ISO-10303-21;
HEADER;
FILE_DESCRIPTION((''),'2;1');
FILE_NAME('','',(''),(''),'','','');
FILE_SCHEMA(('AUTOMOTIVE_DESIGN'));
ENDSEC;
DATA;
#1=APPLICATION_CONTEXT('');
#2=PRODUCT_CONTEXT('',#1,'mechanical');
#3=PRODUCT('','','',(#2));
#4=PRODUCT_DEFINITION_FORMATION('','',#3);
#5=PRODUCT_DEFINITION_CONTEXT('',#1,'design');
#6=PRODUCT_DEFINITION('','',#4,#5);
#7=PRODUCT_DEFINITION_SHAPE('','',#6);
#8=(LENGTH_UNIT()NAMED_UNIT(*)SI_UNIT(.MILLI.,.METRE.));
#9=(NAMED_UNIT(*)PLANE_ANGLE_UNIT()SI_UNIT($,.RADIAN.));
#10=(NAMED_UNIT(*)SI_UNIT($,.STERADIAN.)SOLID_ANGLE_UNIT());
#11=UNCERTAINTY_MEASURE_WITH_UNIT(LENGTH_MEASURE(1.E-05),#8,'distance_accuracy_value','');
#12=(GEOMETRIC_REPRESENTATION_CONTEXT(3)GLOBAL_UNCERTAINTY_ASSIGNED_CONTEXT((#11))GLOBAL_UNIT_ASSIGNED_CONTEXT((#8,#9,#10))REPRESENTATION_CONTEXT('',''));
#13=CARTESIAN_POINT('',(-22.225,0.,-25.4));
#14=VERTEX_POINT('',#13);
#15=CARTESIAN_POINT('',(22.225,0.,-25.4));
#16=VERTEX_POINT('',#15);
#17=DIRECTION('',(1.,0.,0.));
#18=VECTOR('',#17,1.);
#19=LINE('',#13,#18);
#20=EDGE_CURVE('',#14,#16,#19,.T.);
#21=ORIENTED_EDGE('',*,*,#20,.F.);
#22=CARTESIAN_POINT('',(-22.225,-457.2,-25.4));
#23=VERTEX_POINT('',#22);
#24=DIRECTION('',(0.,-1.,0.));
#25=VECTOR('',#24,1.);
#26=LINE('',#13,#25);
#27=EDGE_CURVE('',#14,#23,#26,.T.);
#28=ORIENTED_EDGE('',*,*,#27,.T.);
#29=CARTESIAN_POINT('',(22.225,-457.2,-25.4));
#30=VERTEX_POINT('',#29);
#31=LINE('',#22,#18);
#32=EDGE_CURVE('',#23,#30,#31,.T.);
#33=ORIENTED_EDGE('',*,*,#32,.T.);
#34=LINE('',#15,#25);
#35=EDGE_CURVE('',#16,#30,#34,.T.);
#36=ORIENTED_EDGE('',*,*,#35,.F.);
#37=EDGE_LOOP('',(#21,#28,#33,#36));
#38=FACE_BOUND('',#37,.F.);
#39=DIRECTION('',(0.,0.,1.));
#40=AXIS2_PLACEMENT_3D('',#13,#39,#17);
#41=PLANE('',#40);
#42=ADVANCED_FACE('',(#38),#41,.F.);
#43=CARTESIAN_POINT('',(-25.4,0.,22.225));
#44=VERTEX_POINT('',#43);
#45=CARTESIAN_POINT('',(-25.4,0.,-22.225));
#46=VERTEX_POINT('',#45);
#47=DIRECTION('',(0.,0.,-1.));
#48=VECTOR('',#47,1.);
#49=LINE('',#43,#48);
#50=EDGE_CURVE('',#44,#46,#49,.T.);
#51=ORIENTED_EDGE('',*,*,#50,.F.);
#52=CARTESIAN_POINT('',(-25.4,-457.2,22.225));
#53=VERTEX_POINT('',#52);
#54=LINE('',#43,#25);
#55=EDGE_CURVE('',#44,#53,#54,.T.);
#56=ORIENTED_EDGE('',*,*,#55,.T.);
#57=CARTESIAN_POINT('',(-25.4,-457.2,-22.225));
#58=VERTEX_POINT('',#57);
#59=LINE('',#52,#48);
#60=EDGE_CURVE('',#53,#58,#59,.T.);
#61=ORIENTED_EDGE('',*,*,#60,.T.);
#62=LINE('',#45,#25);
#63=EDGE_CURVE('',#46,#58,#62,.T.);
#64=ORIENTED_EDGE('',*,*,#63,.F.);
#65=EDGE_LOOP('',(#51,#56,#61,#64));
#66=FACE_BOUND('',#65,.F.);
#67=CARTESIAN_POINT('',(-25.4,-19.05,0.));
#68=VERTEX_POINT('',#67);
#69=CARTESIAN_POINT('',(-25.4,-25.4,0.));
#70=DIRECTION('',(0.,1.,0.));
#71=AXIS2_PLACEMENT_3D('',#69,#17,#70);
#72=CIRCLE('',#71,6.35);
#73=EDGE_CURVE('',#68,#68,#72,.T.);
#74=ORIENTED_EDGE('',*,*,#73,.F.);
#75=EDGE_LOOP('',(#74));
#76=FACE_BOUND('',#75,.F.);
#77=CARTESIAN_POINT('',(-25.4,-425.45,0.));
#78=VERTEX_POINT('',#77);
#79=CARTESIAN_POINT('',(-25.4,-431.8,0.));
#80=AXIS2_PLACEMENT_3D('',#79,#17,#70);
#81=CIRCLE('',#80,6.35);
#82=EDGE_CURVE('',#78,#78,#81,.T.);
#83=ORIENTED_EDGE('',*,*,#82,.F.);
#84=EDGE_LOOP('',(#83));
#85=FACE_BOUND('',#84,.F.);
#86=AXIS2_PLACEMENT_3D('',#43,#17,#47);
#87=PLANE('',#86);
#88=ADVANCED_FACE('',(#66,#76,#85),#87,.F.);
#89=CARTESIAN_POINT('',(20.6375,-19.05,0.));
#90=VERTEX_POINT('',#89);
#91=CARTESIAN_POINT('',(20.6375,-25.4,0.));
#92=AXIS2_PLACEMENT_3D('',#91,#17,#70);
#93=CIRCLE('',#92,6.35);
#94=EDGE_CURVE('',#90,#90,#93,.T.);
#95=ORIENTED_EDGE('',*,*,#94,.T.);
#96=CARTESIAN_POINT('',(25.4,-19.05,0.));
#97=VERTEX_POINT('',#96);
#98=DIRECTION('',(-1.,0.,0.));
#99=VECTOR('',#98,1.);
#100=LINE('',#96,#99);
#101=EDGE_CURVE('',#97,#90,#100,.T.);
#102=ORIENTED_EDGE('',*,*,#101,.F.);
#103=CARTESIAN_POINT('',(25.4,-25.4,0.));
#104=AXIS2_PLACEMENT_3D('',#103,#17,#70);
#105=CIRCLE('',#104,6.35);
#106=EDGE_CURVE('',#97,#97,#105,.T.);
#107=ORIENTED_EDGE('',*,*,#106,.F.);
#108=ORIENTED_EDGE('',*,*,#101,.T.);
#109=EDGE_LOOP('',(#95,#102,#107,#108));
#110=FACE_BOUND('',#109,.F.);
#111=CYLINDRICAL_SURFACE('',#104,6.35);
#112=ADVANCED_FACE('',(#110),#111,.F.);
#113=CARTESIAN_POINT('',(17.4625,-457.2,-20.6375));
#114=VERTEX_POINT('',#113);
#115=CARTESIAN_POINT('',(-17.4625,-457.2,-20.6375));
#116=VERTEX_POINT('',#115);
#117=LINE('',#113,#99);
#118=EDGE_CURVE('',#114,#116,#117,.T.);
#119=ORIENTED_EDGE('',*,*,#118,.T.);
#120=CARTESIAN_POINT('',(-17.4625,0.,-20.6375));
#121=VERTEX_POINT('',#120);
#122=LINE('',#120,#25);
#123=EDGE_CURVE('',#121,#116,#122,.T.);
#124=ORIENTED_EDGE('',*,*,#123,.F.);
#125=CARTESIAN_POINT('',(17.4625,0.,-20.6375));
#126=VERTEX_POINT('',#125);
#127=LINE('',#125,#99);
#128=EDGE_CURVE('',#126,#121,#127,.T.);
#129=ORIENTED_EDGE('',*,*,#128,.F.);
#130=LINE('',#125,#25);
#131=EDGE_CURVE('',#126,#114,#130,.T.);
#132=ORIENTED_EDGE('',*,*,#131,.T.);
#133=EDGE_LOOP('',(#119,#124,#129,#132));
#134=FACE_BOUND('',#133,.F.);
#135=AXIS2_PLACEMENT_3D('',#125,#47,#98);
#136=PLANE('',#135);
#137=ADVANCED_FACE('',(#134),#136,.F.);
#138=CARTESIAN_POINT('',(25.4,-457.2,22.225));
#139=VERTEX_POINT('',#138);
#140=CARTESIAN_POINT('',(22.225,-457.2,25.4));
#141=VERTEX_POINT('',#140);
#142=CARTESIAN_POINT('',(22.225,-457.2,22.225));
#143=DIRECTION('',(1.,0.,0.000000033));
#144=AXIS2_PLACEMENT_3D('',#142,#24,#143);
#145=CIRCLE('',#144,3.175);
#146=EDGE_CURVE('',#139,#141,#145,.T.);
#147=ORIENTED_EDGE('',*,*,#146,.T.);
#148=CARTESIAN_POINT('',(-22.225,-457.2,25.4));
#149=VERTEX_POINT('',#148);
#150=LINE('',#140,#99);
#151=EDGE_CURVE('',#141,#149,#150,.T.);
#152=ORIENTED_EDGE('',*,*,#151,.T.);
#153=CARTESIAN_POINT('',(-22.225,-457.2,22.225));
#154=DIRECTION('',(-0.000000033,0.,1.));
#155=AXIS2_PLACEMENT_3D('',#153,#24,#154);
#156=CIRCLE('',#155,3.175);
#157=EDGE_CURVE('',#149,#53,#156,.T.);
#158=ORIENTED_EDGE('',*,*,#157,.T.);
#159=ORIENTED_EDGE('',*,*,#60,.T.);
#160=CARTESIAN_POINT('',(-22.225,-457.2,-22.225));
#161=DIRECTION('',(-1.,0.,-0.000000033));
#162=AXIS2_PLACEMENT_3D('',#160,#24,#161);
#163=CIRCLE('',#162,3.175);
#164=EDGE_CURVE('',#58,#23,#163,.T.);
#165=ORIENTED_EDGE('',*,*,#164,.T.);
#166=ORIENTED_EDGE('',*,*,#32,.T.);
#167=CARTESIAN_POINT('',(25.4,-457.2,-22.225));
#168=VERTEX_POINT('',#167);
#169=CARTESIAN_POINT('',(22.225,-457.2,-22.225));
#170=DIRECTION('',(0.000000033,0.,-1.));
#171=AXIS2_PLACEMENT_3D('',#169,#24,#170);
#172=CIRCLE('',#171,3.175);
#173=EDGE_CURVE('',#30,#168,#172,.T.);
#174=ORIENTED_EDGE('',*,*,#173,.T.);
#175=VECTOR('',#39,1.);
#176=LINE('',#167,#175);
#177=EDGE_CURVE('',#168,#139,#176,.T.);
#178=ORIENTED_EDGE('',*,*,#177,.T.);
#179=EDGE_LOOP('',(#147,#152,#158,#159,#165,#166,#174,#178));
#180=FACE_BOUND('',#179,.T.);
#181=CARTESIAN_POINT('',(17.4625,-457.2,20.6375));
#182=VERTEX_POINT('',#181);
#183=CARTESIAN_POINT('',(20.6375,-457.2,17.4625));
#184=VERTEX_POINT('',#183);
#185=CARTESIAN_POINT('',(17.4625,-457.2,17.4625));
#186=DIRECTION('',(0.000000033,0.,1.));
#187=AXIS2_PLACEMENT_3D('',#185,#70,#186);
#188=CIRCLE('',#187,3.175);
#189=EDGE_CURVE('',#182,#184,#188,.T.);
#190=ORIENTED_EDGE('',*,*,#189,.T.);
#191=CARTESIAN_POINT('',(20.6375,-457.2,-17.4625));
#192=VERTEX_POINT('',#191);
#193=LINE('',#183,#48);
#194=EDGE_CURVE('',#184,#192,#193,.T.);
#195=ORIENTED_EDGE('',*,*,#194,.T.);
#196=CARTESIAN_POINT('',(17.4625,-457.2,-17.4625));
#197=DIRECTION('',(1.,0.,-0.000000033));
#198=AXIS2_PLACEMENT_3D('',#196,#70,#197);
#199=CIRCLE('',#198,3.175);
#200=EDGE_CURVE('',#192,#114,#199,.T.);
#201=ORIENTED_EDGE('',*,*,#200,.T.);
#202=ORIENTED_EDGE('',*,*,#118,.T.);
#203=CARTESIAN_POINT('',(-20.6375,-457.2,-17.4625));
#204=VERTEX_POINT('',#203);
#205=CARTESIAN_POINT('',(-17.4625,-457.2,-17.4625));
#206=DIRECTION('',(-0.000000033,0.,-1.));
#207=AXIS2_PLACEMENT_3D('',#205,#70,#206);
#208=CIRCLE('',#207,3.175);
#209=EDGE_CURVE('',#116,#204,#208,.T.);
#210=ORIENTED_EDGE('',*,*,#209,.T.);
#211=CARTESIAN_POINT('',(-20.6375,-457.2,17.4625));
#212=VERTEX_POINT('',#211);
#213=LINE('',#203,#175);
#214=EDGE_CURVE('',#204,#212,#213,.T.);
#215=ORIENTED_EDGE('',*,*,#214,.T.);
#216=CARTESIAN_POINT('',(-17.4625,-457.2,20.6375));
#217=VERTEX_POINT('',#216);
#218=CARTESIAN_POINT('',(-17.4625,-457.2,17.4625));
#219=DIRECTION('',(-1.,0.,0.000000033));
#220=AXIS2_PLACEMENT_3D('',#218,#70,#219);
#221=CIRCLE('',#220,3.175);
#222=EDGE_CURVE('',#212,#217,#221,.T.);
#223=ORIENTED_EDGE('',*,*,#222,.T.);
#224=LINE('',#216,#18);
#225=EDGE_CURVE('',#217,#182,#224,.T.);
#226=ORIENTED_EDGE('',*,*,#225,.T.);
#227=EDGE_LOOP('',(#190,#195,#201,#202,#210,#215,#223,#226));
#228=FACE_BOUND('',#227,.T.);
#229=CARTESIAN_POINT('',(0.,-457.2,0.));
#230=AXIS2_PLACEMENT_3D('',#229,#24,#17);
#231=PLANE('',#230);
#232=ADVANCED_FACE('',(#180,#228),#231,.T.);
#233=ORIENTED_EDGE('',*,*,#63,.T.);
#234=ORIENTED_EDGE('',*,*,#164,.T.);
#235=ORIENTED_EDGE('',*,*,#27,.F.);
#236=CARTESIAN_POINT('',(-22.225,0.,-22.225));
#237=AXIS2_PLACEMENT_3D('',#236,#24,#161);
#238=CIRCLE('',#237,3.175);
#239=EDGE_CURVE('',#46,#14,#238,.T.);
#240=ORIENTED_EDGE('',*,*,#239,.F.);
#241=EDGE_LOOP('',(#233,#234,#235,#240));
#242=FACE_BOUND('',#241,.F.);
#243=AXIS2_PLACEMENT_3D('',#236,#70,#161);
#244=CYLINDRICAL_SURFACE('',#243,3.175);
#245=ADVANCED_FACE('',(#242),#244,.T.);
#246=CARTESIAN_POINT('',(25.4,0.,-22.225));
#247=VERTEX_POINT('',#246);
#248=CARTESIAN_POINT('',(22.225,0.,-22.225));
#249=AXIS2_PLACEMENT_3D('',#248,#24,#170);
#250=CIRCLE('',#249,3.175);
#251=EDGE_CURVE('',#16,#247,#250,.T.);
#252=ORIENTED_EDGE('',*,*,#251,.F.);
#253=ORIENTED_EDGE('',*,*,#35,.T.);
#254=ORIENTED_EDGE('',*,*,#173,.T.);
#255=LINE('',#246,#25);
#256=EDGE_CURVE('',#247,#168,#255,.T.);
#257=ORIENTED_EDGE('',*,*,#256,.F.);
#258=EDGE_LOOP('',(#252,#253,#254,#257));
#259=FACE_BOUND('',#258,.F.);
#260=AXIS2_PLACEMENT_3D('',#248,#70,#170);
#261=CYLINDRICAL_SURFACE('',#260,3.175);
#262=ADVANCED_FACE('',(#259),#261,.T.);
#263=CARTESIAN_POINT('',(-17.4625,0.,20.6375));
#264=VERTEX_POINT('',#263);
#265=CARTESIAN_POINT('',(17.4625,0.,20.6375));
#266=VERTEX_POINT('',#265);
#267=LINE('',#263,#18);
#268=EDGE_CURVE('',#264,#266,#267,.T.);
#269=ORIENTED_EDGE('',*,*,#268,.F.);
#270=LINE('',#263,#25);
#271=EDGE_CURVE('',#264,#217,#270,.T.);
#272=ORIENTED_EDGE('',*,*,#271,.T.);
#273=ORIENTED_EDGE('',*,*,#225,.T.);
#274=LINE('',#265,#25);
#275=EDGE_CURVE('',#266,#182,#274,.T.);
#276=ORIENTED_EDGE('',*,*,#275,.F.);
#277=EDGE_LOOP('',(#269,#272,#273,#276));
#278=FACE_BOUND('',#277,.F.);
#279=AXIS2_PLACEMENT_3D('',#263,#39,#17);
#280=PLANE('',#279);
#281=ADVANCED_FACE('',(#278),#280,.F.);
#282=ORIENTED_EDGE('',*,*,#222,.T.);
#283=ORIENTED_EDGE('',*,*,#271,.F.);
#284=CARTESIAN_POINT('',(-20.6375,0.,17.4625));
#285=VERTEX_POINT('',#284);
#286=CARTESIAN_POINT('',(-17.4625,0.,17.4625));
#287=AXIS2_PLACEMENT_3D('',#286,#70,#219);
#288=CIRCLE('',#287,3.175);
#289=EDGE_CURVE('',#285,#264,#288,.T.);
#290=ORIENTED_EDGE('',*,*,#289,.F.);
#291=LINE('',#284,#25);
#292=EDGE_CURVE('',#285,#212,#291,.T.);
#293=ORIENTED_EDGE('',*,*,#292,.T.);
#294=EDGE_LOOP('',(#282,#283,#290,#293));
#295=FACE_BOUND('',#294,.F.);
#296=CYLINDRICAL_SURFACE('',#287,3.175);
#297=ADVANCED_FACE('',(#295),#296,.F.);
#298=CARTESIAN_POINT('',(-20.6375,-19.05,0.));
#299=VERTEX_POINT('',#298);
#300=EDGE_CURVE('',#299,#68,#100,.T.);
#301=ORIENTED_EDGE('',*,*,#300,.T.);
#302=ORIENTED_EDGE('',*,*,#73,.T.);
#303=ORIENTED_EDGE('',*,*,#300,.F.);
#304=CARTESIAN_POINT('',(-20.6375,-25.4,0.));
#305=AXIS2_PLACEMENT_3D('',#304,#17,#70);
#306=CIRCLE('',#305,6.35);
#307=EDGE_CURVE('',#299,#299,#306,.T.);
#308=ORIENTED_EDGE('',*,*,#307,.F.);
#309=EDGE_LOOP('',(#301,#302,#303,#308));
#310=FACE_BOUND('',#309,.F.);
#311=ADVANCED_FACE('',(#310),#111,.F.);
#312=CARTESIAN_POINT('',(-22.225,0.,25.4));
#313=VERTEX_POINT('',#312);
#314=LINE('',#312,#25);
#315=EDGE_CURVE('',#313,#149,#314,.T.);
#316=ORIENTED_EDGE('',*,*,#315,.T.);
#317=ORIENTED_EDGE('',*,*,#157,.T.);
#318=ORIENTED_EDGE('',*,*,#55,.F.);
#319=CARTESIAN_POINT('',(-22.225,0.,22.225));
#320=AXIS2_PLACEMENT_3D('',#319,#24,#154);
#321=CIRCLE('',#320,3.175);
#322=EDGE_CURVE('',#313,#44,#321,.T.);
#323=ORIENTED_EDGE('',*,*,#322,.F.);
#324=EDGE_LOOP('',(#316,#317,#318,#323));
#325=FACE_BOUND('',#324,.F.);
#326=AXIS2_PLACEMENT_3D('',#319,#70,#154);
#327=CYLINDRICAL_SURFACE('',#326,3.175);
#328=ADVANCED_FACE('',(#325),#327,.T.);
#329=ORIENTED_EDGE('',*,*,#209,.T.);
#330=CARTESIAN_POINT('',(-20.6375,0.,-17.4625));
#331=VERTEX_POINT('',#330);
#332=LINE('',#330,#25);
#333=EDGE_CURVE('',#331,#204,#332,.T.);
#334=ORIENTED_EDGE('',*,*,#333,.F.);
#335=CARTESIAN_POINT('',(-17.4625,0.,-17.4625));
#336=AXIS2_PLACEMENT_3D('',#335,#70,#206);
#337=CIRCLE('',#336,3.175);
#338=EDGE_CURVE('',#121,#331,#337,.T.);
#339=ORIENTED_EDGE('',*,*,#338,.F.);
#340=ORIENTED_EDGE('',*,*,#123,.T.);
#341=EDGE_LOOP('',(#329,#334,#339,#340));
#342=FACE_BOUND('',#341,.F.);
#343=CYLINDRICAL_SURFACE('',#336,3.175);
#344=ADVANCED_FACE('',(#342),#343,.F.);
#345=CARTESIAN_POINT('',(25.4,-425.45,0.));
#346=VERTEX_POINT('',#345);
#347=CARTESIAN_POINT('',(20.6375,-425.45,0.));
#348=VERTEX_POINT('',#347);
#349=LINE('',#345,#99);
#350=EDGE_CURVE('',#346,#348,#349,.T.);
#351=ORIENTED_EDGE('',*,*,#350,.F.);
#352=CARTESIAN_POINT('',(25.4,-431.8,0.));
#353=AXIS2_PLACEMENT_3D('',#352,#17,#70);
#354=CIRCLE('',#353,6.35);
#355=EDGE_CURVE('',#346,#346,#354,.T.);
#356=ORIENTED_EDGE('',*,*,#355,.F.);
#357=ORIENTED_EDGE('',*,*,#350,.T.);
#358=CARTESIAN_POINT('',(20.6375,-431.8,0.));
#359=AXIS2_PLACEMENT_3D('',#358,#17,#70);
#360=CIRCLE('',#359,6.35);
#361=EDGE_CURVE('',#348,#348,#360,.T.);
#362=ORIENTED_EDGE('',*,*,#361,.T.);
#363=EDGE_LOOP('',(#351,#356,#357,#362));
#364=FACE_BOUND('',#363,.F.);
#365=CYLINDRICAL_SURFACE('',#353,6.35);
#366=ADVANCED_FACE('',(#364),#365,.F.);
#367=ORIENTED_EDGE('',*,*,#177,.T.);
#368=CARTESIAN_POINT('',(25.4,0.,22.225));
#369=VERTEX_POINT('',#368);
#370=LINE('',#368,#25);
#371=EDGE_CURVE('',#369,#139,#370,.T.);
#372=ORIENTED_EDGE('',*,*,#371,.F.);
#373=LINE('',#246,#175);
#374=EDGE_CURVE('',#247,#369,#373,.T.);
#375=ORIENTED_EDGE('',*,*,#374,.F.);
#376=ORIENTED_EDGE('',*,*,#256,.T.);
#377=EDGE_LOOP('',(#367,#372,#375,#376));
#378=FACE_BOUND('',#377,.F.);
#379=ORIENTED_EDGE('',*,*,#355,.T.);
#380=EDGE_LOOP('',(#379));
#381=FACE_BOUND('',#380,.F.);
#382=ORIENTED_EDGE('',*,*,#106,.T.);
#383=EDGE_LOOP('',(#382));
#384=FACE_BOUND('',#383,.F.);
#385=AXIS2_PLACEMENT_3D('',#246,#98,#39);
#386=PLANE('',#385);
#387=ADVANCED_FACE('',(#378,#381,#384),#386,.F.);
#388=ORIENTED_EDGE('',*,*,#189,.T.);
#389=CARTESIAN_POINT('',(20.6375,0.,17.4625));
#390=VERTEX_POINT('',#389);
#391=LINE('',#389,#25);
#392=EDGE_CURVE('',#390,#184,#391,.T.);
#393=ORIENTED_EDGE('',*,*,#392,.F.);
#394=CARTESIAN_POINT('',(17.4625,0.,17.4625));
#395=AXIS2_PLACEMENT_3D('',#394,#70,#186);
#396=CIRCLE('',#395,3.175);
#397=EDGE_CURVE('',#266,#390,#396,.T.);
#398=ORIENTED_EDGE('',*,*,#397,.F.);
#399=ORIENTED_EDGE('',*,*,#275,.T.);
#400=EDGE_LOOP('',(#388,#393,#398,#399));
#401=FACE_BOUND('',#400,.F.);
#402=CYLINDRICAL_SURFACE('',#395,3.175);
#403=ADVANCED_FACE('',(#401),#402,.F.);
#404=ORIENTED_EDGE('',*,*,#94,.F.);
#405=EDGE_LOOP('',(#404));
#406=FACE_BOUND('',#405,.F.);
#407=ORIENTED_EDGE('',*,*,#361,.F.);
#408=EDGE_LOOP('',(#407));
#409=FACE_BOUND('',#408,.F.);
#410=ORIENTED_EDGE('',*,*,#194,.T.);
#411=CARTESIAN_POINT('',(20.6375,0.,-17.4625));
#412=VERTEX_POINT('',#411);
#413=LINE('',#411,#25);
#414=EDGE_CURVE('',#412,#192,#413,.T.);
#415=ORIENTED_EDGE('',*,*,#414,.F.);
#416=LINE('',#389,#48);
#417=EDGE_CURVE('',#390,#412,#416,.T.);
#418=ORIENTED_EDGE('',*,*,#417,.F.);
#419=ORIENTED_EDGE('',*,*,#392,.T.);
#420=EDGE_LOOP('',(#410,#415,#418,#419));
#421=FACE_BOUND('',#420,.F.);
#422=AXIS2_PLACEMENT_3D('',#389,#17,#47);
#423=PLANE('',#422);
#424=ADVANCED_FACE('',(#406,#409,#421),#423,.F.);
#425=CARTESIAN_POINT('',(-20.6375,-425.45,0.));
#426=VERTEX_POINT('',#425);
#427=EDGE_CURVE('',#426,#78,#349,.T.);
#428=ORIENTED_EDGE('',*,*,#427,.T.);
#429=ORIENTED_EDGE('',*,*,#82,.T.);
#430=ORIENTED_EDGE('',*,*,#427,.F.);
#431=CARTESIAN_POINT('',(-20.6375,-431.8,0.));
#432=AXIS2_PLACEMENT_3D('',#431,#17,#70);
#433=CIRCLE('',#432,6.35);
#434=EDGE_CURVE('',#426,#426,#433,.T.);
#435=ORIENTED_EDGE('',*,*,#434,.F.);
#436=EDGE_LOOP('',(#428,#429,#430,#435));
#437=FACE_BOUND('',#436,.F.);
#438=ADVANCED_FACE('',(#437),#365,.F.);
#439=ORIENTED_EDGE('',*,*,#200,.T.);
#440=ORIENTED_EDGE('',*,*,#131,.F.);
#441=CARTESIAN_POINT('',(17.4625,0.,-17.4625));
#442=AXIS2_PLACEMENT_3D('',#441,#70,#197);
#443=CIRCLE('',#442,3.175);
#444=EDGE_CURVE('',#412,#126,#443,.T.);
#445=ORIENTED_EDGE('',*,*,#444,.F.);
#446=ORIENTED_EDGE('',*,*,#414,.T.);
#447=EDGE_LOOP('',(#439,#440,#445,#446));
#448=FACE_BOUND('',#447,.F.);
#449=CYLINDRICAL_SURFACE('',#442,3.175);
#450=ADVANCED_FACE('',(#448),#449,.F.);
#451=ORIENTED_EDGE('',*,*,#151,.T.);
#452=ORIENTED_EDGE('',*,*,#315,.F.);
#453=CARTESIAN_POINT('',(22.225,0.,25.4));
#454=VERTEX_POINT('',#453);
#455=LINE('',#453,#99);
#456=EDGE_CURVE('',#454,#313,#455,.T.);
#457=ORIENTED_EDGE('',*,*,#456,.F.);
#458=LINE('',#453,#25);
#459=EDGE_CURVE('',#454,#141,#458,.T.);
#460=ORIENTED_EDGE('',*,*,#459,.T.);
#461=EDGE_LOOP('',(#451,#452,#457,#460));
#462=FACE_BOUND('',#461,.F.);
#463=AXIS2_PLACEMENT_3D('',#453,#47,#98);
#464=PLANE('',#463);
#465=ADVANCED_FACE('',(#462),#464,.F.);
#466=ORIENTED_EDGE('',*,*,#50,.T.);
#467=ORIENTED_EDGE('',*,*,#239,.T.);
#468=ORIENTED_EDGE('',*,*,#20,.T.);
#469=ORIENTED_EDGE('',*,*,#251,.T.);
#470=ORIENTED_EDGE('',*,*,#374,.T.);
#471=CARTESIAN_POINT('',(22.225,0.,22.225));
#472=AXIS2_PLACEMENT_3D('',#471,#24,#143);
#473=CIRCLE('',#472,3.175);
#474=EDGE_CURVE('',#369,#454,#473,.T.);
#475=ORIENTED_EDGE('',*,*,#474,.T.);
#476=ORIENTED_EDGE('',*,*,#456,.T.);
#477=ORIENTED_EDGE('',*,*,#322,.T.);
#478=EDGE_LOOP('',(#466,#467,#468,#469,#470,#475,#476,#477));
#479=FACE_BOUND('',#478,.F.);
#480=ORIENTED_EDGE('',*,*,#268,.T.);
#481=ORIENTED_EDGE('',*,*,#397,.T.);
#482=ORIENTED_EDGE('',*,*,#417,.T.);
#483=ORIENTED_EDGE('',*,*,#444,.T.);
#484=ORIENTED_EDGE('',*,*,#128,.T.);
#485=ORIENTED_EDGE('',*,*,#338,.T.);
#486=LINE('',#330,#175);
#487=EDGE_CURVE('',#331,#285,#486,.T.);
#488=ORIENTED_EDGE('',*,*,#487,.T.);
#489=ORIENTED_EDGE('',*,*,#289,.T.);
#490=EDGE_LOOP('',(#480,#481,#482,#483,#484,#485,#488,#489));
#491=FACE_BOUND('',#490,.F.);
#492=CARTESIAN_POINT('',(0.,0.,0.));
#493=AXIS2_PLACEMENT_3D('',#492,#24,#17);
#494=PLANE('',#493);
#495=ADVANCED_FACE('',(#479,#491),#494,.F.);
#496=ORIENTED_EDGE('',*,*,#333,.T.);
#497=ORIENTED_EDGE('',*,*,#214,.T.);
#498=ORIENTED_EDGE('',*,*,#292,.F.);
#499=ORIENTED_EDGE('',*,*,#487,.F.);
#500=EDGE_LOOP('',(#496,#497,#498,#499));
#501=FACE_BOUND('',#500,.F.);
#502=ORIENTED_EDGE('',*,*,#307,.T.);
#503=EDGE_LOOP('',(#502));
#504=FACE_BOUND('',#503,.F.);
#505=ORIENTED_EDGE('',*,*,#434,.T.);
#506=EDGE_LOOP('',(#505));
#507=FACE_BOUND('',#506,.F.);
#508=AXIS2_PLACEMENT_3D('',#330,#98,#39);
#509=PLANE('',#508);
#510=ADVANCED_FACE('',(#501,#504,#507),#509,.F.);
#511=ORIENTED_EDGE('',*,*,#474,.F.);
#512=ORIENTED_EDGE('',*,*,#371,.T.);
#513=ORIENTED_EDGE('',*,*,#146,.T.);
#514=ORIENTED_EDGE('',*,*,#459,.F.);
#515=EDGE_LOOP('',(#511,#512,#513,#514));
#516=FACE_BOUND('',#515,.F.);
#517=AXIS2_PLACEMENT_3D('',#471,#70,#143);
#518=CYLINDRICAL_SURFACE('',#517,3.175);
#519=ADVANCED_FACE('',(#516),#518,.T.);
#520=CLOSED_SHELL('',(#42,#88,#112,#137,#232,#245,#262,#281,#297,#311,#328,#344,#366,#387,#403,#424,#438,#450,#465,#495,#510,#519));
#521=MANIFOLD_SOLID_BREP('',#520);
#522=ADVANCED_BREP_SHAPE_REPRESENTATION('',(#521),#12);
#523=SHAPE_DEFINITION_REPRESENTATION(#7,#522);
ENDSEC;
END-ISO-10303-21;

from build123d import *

# Parameters (mm, degrees)
F1_DEPTH = 457.2
F2_R     = 6.35
F3_DEPTH = 50.801


with BuildPart() as f1:
    # F0 (on Front) → F1 (new body)
    with BuildSketch(Plane.XZ):
        with BuildLine():
            ThreePointArc((25.4, 22.225), (24.470064, 24.470064), (22.225, 25.4))
            Line((22.225, 25.4), (-22.225, 25.4))
            ThreePointArc((-22.225, 25.4), (-24.470064, 24.470064), (-25.4, 22.225))
            Line((-25.4, 22.225), (-25.4, -22.225))
            ThreePointArc((-25.4, -22.225), (-24.470064, -24.470064), (-22.225, -25.4))
            Line((-22.225, -25.4), (22.225, -25.4))
            ThreePointArc((22.225, -25.4), (24.470064, -24.470064), (25.4, -22.225))
            Line((25.4, -22.225), (25.4, 22.225))
        make_face()
        with BuildLine():
            Line((-17.4625, 20.6375), (17.4625, 20.6375))
            ThreePointArc((17.4625, 20.6375), (19.707564, 19.707564), (20.6375, 17.4625))
            Line((20.6375, 17.4625), (20.6375, -17.4625))
            ThreePointArc((20.6375, -17.4625), (19.707564, -19.707564), (17.4625, -20.6375))
            Line((17.4625, -20.6375), (-17.4625, -20.6375))
            ThreePointArc((-17.4625, -20.6375), (-19.707564, -19.707564), (-20.6375, -17.4625))
            Line((-20.6375, -17.4625), (-20.6375, 17.4625))
            ThreePointArc((-20.6375, 17.4625), (-19.707564, 19.707564), (-17.4625, 20.6375))
        make_face(mode=Mode.SUBTRACT)
    extrude(amount=F1_DEPTH)

    # F2 (on face) → F3 (cut, through all)
    with BuildSketch(Plane.YZ.offset(25.4)):
        with Locations((-431.8, 0)):
            Circle(F2_R)
        with Locations((-25.4, 0)):
            Circle(F2_R)
    extrude(amount=-F3_DEPTH, mode=Mode.SUBTRACT)


solid = f1.part
